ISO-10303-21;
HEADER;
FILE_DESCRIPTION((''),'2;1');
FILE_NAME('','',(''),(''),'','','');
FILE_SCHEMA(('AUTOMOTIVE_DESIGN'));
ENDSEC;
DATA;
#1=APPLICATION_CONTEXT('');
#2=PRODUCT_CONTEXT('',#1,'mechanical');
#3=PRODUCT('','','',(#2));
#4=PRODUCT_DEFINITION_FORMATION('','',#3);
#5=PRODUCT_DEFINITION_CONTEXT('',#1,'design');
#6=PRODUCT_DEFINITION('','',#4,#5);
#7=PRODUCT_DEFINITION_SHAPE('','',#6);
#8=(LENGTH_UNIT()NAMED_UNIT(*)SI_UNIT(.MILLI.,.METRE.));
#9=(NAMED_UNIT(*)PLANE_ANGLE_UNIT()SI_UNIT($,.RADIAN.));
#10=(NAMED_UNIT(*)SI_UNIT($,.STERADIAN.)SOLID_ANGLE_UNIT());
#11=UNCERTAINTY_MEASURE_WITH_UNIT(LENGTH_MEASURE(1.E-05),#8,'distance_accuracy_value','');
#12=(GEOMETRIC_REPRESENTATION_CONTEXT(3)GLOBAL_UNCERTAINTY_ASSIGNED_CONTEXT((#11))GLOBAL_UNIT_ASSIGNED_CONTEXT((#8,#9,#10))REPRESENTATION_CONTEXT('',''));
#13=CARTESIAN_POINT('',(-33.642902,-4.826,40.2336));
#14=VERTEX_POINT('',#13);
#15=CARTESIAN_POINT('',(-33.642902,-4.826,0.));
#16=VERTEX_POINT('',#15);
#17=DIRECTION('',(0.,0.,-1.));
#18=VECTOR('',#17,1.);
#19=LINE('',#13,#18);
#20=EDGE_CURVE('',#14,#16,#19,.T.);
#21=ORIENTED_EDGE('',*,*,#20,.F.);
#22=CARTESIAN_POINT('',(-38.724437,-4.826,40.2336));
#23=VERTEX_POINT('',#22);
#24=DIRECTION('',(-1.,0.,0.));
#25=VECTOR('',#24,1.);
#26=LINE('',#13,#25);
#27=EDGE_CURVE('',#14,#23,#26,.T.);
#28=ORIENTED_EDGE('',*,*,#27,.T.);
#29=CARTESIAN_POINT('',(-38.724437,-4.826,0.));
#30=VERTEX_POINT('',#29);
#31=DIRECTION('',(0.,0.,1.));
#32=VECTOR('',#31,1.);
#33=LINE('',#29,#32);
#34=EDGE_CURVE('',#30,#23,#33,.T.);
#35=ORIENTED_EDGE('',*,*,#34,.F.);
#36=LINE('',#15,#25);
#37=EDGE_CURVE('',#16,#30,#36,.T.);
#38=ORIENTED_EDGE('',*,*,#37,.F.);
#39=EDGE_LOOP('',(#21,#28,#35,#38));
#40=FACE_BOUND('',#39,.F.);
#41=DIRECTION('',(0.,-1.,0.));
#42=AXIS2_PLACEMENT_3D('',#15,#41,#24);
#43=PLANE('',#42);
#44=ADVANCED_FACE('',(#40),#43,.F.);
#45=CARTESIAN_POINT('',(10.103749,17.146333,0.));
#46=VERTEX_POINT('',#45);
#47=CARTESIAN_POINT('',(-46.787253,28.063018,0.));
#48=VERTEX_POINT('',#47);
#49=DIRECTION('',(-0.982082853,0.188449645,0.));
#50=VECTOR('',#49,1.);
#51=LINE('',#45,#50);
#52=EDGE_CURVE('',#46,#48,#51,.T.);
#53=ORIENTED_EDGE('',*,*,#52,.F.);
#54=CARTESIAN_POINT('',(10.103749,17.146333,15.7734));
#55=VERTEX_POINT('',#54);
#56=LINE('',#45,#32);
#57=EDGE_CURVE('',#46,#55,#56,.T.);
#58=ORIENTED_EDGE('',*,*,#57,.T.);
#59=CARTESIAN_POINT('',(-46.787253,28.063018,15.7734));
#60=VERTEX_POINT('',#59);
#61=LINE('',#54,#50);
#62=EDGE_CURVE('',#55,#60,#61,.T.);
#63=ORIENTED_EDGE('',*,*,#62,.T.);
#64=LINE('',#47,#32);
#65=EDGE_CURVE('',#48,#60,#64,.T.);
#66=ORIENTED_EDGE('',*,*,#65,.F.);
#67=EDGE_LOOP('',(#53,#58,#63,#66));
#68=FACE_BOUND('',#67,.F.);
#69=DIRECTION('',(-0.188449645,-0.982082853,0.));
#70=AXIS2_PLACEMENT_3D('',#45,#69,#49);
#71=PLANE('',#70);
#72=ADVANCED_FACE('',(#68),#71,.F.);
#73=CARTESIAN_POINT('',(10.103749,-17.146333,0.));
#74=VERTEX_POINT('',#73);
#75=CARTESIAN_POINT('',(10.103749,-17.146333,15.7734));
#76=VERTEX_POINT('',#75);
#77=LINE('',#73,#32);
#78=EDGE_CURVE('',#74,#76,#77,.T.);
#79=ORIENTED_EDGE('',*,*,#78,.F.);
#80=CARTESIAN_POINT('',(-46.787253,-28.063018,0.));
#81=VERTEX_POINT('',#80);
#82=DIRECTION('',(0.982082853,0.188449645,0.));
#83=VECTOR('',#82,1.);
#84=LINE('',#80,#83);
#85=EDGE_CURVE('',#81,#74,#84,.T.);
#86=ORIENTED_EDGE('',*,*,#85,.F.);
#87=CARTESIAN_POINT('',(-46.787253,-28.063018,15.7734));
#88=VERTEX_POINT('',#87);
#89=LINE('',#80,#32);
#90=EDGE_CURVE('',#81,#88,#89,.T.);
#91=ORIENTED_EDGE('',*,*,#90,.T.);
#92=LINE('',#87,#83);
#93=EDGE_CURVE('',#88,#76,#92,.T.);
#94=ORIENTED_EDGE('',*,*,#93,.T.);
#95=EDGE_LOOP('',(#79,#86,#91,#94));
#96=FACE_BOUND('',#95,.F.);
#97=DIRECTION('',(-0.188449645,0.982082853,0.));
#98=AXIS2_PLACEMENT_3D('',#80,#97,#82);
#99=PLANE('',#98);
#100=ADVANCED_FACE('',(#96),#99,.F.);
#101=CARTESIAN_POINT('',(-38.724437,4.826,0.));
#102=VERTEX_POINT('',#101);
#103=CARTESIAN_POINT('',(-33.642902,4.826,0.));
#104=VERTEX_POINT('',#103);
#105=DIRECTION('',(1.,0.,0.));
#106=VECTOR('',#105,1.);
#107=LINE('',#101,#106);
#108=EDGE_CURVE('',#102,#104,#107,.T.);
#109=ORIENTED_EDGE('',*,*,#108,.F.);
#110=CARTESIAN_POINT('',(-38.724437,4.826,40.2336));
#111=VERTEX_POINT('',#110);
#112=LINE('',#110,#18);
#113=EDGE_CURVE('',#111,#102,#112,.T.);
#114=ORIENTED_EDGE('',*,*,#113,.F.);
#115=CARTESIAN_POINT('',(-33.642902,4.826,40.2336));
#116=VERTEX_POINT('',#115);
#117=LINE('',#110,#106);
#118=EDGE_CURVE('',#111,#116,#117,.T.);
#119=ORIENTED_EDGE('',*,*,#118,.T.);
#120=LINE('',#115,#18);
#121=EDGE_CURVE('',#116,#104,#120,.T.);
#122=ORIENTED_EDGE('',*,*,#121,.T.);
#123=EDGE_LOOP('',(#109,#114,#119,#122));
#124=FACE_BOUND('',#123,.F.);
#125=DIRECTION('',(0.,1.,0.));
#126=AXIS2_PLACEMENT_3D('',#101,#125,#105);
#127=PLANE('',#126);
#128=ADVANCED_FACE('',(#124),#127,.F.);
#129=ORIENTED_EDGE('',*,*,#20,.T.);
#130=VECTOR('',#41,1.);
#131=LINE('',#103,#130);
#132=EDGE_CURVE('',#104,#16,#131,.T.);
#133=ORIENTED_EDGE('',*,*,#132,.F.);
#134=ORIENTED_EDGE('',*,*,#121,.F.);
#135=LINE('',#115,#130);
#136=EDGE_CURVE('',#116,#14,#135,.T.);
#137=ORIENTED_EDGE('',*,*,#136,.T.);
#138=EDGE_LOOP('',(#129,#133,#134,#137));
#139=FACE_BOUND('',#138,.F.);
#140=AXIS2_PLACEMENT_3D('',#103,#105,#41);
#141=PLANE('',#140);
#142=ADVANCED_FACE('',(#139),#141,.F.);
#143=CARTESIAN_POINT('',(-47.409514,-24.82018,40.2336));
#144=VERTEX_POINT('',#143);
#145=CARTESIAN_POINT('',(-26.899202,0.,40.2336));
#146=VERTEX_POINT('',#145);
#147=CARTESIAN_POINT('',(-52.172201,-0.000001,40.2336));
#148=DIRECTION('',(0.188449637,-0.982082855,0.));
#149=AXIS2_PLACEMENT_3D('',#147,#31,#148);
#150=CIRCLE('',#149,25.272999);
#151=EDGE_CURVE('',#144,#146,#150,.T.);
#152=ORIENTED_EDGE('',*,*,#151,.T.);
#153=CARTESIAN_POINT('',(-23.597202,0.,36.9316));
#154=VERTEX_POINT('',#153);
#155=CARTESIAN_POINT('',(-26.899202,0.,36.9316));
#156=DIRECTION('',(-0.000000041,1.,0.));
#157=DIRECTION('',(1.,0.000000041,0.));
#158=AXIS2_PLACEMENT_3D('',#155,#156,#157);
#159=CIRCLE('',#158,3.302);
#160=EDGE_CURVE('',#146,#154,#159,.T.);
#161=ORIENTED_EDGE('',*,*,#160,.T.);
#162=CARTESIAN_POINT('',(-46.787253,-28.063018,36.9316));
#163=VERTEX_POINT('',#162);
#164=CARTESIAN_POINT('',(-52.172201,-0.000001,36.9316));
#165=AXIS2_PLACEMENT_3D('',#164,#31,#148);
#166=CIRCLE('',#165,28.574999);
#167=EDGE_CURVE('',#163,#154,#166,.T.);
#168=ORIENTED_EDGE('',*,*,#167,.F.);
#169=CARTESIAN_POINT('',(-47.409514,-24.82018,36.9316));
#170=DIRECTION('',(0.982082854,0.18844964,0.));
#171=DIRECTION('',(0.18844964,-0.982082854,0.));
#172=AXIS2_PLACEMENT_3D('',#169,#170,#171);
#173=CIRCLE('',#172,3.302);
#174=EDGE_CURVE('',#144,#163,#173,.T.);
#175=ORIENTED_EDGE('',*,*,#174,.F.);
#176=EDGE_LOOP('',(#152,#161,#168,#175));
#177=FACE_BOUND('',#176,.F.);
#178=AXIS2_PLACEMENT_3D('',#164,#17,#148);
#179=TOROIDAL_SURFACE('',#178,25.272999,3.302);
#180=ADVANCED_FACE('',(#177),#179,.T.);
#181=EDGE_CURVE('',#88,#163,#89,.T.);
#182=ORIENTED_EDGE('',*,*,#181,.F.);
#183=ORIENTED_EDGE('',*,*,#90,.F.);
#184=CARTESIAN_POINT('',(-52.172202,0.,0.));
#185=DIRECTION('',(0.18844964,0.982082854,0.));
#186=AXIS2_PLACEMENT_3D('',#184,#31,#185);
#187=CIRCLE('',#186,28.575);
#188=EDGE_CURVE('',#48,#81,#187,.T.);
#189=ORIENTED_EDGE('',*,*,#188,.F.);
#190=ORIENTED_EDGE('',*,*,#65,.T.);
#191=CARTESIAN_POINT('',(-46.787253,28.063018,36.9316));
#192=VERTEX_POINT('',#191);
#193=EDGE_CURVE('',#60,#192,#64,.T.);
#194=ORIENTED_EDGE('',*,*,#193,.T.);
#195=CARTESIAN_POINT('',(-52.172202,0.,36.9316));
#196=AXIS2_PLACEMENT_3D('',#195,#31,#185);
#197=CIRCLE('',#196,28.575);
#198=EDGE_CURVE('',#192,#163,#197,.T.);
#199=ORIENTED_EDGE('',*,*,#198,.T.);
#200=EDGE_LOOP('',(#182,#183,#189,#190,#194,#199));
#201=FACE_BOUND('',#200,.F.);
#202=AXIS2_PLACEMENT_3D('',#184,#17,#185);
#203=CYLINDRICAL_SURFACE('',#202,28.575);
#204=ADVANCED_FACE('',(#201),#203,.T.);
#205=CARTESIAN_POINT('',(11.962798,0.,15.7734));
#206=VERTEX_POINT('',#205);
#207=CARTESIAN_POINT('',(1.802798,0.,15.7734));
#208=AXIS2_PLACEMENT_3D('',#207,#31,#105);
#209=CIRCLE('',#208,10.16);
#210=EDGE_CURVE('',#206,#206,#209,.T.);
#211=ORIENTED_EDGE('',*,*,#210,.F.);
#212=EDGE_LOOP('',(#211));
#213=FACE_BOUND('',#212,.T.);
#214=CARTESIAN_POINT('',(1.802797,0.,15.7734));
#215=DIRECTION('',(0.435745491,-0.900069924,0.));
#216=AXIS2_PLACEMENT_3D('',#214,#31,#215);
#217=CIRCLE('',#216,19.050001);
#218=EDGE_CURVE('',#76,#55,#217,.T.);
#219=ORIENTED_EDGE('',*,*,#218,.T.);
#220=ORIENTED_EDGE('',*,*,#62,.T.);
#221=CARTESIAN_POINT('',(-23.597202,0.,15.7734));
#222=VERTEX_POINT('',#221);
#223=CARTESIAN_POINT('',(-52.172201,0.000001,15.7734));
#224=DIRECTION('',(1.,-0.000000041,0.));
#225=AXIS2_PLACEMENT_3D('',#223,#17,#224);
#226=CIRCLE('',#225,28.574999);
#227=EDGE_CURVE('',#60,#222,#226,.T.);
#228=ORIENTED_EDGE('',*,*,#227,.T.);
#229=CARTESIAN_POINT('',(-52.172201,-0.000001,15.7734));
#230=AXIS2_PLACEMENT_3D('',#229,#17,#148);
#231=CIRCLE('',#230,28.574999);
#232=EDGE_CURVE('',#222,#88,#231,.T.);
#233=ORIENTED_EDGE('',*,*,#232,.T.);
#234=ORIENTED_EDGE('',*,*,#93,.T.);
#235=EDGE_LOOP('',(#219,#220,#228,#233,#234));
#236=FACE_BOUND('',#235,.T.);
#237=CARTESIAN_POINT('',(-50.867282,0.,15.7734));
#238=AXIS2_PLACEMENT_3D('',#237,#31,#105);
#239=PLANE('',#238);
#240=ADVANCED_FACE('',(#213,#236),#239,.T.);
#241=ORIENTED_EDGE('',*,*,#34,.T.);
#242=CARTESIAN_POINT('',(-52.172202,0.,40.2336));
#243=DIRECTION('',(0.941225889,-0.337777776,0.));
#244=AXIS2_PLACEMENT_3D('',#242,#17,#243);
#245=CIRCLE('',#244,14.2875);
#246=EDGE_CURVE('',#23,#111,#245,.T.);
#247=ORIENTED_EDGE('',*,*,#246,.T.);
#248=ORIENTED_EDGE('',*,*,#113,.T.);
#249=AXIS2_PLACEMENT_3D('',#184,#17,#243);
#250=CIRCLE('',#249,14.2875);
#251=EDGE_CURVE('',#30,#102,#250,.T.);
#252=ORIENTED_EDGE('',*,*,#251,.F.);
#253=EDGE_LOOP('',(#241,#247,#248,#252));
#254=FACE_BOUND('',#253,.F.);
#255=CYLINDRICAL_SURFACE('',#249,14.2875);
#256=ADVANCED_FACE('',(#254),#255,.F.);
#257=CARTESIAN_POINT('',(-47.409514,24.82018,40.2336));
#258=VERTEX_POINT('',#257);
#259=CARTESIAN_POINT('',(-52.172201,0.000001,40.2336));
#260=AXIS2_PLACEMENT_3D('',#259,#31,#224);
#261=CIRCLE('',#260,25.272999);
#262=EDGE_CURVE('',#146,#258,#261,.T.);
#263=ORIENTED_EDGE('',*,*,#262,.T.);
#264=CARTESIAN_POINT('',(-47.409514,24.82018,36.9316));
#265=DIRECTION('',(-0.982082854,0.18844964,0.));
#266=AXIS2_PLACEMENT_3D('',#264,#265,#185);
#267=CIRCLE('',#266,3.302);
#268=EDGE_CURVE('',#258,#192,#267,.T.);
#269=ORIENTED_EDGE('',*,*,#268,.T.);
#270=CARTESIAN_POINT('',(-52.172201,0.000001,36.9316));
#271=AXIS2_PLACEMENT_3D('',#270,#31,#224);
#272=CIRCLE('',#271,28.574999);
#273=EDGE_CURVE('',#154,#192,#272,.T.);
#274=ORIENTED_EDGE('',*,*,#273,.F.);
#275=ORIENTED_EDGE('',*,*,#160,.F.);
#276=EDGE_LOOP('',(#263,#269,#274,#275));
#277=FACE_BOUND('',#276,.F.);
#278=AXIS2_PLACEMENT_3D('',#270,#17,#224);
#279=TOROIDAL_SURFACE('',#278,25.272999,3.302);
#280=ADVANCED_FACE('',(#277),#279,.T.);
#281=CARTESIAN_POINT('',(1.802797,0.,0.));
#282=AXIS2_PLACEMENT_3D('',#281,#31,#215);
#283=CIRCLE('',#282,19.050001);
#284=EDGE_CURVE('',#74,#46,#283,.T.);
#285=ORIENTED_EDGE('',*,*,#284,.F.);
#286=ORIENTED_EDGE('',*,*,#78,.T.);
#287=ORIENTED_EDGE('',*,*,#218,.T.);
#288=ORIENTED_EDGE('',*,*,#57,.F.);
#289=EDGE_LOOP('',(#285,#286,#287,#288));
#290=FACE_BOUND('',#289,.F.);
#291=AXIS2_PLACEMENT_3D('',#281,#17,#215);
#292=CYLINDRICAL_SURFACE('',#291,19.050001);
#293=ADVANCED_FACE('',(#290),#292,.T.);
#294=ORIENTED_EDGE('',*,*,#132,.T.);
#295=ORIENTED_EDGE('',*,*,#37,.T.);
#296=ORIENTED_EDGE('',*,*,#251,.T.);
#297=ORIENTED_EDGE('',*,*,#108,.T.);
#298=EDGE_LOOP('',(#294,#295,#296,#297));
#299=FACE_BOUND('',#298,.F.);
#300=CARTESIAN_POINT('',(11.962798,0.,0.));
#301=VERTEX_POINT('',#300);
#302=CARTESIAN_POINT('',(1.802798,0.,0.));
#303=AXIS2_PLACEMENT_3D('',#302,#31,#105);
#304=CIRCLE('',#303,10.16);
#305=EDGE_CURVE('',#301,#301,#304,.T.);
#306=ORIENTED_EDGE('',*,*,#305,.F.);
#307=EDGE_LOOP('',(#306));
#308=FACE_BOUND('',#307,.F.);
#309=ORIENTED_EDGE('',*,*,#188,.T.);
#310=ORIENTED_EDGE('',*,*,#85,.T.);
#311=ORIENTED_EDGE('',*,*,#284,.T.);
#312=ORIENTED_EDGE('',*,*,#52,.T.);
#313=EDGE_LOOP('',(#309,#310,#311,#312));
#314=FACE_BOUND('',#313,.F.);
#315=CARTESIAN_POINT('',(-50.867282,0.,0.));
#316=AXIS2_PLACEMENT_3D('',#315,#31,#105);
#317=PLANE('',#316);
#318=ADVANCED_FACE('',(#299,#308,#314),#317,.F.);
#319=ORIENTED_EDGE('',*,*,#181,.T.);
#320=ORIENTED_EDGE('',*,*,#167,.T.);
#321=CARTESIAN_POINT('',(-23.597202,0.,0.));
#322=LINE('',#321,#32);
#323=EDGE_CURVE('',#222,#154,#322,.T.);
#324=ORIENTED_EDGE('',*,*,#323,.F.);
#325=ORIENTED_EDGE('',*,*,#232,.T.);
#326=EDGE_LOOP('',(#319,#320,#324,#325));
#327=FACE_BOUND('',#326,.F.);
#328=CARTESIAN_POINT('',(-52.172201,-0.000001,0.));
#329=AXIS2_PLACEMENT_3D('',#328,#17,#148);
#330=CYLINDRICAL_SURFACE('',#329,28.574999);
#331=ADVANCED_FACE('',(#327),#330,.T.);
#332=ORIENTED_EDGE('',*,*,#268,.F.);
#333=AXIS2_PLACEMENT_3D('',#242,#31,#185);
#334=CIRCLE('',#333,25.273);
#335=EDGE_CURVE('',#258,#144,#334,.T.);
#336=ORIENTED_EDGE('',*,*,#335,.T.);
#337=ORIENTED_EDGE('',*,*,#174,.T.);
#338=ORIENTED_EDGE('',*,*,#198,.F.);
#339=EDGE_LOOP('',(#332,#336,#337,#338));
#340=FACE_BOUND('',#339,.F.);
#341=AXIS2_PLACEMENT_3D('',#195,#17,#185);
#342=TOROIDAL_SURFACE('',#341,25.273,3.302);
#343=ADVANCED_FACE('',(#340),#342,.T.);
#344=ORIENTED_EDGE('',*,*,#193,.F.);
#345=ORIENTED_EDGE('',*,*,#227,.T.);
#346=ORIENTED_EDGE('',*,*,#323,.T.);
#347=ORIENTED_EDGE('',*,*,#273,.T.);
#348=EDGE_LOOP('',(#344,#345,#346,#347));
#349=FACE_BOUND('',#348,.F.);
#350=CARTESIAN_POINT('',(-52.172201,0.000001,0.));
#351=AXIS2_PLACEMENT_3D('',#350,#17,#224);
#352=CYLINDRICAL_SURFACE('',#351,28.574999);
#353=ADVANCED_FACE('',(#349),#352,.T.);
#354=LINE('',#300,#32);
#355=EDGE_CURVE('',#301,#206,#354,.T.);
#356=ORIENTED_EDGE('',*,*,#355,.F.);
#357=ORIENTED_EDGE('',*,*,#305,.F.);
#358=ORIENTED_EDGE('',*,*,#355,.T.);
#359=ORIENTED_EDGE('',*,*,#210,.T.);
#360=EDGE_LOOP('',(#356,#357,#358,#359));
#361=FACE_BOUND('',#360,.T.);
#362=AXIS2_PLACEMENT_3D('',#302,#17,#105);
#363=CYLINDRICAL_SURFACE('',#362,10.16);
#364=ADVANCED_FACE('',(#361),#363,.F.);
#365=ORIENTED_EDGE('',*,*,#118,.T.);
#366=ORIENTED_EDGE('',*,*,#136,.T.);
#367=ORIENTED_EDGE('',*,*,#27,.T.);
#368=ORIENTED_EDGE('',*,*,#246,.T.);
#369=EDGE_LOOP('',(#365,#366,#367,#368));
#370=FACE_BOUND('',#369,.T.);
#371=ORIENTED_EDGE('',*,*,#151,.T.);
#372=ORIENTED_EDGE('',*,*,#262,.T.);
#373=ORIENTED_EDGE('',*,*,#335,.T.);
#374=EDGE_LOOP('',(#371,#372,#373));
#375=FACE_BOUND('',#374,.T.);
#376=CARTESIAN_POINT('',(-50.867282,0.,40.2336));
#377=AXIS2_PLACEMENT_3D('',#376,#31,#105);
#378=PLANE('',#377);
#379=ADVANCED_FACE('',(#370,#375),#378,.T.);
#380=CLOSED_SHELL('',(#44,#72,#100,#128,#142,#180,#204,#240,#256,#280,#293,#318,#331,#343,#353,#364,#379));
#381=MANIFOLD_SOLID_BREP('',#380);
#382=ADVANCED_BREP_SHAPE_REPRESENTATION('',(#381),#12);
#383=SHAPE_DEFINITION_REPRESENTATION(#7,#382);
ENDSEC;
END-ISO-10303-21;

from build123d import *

# Parameters (mm, degrees)
F1_DEPTH = 40.2336
F0_R     = 10.16
F2_DEPTH = 15.7734
F3_R     = 3.302


with BuildPart() as f1:
    # F0 (on Top) → F1 (new body)
    with BuildSketch(Plane.XY):
        with BuildLine():
            ThreePointArc((-46.787253, -28.063018), (-30.144883, -18.202414), (-23.597202, 0))
            ThreePointArc((-23.597202, 0), (-30.144883, 18.202414), (-46.787253, 28.063018))
            ThreePointArc((-46.787253, 28.063018), (-80.747202, 0), (-46.787253, -28.063018))
        make_face()
        with BuildLine():
            ThreePointArc((-38.724437, -4.826), (-66.459702, 0), (-38.724437, 4.826))
            Line((-38.724437, 4.826), (-33.642902, 4.826))
            Line((-33.642902, 4.826), (-33.642902, -4.826))
            Line((-33.642902, -4.826), (-38.724437, -4.826))
        make_face(mode=Mode.SUBTRACT)
    extrude(amount=F1_DEPTH)

    # F0 (on Top) → F2 (join)
    with BuildSketch(Plane.XY):
        with BuildLine():
            ThreePointArc((-46.787253, -28.063018), (-30.144883, -18.202414), (-23.597202, 0))
            ThreePointArc((-23.597202, 0), (-30.144883, 18.202414), (-46.787253, 28.063018))
            ThreePointArc((-46.787253, 28.063018), (-80.747202, 0), (-46.787253, -28.063018))
        make_face()
        with BuildLine():
            ThreePointArc((-38.724437, -4.826), (-66.459702, 0), (-38.724437, 4.826))
            Line((-38.724437, 4.826), (-33.642902, 4.826))
            Line((-33.642902, 4.826), (-33.642902, -4.826))
            Line((-33.642902, -4.826), (-38.724437, -4.826))
        make_face(mode=Mode.SUBTRACT)
        with BuildLine():
            ThreePointArc((-46.787253, 28.063018), (-30.144883, 18.202414), (-23.597202, 0))
            ThreePointArc((-23.597202, 0), (-30.144883, -18.202414), (-46.787253, -28.063018))
            Line((-46.787253, -28.063018), (10.103749, -17.146333))
            ThreePointArc((10.103749, -17.146333), (20.852798, 0), (10.103749, 17.146333))
            Line((10.103749, 17.146333), (-46.787253, 28.063018))
        make_face()
        with Locations((1.802798, 0)):
            Circle(F0_R, mode=Mode.SUBTRACT)
    extrude(amount=F2_DEPTH)

    # F3
    f3_edges = [f1.edges().sort_by_distance(p)[0] for p in [
        (-57.55715, 28.063018, 40.2336),
    ]]
    fillet(f3_edges, radius=F3_R)


solid = f1.part
